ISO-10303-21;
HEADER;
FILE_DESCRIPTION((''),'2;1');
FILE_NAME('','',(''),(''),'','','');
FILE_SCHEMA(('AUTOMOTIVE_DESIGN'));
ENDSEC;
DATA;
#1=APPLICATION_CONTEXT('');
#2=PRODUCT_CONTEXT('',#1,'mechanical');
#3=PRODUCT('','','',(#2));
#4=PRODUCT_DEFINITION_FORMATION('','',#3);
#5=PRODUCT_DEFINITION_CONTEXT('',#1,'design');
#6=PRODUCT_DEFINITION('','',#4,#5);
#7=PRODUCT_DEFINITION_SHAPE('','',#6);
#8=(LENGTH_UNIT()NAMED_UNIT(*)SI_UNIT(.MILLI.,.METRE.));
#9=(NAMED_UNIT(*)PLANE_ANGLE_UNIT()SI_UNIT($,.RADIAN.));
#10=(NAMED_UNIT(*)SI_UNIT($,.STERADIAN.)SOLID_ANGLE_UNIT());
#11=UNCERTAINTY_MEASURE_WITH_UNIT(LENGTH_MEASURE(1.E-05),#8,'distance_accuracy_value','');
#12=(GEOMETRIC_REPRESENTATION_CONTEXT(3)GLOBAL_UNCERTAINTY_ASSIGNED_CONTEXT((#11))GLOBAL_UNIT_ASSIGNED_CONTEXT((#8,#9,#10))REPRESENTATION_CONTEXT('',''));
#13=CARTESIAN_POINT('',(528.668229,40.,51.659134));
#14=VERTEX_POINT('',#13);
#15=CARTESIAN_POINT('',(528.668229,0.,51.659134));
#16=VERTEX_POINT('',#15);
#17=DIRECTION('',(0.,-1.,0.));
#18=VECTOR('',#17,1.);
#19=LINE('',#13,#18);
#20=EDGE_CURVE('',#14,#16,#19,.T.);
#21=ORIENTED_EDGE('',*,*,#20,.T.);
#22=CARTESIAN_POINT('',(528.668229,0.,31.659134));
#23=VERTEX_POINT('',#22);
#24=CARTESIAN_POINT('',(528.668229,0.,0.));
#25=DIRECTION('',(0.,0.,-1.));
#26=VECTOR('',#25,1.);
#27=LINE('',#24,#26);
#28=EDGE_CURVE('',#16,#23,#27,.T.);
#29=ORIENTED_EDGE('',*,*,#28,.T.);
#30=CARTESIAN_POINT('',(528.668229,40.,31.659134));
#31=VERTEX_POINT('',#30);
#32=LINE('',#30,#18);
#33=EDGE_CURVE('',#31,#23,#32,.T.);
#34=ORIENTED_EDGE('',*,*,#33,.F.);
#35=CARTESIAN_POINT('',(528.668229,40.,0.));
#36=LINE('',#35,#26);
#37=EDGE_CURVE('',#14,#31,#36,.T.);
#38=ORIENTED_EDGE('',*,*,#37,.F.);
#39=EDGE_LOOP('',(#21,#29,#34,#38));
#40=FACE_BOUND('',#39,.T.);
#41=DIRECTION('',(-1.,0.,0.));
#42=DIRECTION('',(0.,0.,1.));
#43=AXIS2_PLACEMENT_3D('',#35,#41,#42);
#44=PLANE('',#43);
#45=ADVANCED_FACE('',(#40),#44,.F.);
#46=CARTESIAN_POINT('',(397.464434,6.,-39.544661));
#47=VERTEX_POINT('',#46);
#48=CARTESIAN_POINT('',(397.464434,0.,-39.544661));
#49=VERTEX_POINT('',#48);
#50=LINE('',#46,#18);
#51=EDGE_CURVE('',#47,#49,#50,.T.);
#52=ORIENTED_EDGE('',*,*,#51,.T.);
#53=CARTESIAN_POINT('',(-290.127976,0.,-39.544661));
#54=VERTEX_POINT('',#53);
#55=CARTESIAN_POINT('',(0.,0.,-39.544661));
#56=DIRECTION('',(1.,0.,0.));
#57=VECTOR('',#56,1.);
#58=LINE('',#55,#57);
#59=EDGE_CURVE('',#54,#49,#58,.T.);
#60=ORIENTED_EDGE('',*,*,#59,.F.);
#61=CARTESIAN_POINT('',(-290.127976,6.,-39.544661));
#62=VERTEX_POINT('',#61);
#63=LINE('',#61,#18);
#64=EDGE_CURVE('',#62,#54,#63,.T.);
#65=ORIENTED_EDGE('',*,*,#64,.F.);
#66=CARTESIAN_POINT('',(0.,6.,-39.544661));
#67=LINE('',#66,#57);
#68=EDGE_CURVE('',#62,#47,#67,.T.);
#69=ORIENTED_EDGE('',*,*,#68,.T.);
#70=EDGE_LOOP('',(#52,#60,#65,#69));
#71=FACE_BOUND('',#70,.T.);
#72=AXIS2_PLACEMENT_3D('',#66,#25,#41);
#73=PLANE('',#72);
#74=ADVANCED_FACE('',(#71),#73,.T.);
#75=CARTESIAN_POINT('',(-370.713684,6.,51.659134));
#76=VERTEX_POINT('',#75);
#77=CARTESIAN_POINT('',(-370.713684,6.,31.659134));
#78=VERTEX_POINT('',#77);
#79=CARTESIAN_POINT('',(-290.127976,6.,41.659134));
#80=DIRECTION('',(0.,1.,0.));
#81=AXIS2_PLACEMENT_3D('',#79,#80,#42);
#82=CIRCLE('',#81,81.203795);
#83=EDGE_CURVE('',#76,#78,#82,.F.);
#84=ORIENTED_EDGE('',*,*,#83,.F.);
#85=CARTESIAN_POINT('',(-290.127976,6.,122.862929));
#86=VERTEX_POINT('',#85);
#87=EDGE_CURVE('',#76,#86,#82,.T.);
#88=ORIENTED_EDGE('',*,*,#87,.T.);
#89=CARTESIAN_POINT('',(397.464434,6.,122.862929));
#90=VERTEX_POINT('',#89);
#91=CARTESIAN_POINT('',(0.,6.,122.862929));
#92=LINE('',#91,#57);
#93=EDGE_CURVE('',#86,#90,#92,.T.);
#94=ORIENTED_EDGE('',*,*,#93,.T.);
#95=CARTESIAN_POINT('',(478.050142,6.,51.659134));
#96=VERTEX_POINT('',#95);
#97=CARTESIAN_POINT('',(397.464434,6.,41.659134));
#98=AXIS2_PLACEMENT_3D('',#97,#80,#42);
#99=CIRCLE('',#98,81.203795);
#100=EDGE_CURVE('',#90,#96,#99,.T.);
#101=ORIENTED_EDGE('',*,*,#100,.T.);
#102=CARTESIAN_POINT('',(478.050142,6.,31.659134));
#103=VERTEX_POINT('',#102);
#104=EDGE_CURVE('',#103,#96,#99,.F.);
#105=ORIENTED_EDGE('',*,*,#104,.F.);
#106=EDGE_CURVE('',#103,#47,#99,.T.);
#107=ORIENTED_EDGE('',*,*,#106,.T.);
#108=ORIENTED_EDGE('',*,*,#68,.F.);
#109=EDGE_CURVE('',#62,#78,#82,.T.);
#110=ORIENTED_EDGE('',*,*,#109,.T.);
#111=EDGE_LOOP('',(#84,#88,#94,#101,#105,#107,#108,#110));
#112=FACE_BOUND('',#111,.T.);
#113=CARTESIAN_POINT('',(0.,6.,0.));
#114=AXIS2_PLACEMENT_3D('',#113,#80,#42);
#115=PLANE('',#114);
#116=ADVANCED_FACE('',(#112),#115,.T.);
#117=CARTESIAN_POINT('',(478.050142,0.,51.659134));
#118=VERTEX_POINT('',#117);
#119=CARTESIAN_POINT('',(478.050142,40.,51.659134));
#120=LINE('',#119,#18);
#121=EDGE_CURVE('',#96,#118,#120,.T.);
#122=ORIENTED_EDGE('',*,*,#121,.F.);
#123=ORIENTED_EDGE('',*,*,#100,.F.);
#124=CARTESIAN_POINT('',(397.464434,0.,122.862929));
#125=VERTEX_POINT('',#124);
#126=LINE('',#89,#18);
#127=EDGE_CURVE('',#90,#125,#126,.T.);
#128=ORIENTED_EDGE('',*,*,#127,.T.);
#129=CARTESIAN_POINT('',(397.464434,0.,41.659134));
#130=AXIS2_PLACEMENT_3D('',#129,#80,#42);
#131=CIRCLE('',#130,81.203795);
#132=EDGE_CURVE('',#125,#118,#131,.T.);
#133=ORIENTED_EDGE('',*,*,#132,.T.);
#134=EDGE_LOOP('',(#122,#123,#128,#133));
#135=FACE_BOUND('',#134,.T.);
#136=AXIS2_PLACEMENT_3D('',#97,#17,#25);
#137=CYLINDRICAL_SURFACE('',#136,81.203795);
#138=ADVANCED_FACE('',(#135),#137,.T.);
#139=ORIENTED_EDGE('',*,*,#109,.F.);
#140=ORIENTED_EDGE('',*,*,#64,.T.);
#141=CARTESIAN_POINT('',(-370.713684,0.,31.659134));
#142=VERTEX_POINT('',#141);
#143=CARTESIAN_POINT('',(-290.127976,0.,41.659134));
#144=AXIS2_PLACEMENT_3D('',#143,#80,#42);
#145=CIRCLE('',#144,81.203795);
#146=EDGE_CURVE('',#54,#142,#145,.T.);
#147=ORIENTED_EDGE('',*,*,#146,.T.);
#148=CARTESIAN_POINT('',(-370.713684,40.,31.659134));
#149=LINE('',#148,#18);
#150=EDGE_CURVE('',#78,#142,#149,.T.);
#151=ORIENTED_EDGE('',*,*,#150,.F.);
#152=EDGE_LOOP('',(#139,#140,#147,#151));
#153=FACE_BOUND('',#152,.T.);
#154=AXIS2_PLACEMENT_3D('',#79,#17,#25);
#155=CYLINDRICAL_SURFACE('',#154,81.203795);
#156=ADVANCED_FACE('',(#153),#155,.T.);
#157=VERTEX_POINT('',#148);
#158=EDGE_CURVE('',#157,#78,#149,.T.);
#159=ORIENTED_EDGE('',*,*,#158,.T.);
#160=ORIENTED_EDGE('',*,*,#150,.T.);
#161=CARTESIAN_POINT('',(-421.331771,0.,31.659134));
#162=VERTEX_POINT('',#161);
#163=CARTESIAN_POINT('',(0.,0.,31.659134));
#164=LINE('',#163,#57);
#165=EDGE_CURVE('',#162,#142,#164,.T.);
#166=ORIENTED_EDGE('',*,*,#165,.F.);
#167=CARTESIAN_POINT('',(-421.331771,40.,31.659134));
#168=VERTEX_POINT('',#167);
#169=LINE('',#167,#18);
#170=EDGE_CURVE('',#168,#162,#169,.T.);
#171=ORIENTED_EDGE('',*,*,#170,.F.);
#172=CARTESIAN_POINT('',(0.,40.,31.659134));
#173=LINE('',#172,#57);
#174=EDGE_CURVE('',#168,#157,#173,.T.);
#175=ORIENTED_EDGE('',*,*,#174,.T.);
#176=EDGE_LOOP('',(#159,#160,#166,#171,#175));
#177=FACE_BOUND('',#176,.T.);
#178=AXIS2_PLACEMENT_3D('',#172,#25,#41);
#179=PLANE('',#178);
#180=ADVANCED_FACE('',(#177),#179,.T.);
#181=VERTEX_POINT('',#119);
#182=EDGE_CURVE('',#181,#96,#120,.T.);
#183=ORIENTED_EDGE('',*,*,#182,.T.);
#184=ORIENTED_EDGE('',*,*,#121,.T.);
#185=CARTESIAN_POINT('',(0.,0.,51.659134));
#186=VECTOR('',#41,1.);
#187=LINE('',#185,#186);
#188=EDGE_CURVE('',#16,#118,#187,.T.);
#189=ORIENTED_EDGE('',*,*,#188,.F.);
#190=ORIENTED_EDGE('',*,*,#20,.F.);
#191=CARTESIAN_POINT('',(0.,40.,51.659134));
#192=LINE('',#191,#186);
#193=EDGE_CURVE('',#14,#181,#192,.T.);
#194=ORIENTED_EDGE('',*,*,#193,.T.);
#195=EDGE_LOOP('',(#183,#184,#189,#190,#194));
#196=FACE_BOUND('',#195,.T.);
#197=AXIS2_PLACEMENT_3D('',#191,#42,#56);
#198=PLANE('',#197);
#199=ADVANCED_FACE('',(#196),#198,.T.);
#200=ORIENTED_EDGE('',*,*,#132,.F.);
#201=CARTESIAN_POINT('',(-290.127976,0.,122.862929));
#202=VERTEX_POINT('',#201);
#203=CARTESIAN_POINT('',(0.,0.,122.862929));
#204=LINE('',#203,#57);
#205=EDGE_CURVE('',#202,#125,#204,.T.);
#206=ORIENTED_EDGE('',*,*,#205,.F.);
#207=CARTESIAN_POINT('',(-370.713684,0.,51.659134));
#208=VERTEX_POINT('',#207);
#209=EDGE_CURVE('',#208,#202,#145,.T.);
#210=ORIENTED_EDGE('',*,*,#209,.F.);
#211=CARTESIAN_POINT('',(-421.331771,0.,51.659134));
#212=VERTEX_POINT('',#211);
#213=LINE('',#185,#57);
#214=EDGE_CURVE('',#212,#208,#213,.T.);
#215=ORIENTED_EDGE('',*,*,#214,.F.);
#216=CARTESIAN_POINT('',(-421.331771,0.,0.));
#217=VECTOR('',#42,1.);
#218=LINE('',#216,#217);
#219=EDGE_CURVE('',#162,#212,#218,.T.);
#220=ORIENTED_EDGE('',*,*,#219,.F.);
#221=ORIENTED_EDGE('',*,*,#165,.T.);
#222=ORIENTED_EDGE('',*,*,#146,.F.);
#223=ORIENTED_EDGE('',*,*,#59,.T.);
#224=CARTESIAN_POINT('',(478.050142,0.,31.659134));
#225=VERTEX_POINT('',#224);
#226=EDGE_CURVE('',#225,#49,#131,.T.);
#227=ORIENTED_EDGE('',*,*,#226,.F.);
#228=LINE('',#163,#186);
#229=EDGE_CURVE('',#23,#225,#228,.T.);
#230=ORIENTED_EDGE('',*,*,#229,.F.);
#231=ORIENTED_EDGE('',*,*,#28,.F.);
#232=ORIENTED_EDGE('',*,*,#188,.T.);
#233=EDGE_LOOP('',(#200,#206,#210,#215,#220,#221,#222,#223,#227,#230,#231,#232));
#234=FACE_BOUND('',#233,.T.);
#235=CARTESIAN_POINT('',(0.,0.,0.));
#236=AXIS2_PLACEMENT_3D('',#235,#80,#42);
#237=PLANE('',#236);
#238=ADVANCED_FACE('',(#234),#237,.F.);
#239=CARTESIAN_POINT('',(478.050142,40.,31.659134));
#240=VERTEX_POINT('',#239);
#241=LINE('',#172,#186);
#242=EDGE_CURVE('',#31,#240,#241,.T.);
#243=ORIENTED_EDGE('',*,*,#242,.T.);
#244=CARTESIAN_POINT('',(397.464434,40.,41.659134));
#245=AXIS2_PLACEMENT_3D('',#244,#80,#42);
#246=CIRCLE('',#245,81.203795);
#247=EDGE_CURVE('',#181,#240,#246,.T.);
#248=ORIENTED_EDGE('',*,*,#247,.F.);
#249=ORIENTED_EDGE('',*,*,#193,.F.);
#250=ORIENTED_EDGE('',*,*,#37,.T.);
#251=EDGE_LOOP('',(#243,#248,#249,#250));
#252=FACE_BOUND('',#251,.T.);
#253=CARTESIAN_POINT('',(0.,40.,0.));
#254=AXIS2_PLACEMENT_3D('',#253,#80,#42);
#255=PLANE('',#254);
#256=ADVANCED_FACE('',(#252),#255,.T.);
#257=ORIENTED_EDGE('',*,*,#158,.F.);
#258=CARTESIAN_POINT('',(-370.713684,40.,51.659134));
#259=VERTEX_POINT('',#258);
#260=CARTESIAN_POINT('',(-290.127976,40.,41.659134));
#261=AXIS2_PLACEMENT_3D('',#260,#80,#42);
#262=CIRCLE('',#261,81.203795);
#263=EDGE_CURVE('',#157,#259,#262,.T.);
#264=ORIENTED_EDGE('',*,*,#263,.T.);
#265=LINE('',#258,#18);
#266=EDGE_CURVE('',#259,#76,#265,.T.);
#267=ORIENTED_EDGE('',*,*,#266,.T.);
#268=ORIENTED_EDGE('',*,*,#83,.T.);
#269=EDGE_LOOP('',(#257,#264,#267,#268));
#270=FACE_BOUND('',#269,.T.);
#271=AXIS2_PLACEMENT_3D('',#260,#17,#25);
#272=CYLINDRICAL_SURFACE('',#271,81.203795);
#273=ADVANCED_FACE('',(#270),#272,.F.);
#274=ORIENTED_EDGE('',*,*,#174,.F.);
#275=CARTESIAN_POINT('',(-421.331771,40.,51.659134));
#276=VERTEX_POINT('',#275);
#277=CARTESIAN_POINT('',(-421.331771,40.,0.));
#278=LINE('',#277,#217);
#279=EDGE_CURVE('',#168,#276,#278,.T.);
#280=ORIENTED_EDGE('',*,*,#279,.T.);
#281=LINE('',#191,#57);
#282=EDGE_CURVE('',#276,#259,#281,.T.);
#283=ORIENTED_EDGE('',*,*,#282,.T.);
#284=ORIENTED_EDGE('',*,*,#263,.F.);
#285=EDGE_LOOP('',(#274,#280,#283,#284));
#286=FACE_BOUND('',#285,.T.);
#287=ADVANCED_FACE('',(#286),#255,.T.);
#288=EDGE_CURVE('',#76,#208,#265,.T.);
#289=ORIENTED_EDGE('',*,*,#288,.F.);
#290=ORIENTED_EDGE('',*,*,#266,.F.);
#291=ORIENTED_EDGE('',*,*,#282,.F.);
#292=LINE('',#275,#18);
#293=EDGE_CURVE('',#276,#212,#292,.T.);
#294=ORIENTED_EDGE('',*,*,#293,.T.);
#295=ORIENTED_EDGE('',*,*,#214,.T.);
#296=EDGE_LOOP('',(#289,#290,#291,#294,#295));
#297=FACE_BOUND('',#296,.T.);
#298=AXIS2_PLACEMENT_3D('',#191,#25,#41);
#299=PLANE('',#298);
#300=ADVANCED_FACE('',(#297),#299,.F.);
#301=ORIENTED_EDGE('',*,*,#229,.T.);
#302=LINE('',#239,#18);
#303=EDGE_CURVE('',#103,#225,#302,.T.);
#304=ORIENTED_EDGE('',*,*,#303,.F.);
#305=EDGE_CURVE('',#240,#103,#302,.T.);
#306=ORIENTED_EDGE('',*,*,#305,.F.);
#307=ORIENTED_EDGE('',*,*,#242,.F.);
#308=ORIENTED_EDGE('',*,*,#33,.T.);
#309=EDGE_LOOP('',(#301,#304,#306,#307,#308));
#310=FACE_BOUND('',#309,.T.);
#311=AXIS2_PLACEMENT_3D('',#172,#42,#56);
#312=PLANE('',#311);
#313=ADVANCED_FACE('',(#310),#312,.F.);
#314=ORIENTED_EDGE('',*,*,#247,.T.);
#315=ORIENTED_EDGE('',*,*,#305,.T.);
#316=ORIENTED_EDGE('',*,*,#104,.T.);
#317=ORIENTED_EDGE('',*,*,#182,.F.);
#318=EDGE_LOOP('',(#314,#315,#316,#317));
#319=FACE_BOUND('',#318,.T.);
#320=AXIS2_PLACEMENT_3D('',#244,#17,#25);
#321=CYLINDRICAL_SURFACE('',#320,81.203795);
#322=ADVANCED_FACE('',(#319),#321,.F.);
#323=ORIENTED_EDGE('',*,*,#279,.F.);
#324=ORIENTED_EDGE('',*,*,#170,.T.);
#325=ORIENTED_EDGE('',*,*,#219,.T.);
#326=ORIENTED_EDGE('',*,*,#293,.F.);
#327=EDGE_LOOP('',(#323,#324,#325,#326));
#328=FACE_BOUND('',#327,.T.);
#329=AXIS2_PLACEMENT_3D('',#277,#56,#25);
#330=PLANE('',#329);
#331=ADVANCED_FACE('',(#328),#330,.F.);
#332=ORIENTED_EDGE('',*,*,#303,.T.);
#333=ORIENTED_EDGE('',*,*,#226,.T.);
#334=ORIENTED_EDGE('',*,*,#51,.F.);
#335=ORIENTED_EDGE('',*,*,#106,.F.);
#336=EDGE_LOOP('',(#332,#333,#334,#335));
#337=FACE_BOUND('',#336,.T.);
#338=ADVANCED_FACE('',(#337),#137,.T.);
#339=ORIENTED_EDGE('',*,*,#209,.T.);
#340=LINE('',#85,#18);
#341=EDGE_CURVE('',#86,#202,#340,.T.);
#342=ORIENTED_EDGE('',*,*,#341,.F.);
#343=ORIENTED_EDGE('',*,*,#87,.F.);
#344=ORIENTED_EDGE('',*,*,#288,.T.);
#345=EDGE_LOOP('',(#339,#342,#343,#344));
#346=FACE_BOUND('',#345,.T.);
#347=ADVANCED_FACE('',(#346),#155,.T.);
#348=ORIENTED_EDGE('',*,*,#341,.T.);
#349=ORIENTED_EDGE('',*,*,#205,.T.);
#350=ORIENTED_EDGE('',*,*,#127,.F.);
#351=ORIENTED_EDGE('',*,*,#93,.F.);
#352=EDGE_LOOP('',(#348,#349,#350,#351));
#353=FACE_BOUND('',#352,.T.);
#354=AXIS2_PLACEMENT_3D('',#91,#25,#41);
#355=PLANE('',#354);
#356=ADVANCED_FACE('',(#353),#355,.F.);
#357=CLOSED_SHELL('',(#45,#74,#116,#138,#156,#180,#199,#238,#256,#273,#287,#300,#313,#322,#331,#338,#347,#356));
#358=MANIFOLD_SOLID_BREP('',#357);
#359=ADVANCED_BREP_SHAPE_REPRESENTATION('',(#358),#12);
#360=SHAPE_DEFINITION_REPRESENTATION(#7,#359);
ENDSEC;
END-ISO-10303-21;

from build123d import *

# Parameters (mm, degrees)
BOSS_EXTRUDE1_DEPTH = 6
BOSS_EXTRUDE2_DEPTH = 40


with BuildPart() as part:
    # Sketch2 → Boss-Extrude1 (new body)
    with BuildSketch(Plane(origin=(0, 0, 0), x_dir=(1, 0, 0), z_dir=(0, 1, 0))):
        with BuildLine():
            Line((397.464433619, 39.544660738), (-290.127976468, 39.544660738))
            ThreePointArc((-290.127976468, 39.544660738), (-343.896082096, 19.193533205), (-370.713684353, -31.659134218))
            ThreePointArc((-370.713684353, -31.659134218), (-371.331771424, -41.659134218), (-370.713684353, -51.659134218))
            ThreePointArc((-370.713684353, -51.659134218), (-343.896082097, -102.511801641), (-290.127976468, -122.862929175))
            Line((-290.127976468, -122.862929175), (397.464433619, -122.862929175))
            ThreePointArc((397.464433619, -122.862929175), (451.232539249, -102.51180164), (478.050141505, -51.659134214))
            ThreePointArc((478.050141505, -51.659134214), (478.668228576, -41.659134214), (478.050141504, -31.659134214))
            ThreePointArc((478.050141504, -31.659134214), (451.232539246, 19.193533206), (397.464433619, 39.544660738))
        make_face()
    extrude(amount=BOSS_EXTRUDE1_DEPTH)

    # Sketch2<3> → Boss-Extrude2 (add)
    with BuildSketch(Plane(origin=(0, 0, 0), x_dir=(1, 0, 0), z_dir=(0, 1, 0))):
        with BuildLine():
            ThreePointArc((-370.713684353, -51.659134218), (-371.331771424, -41.659134218), (-370.713684353, -31.659134218))
            Line((-370.713684353, -31.659134218), (-421.331771424, -31.659134218))
            Line((-421.331771424, -31.659134218), (-421.331771424, -51.659134218))
            Line((-421.331771424, -51.659134218), (-370.713684353, -51.659134218))
        make_face()
        with BuildLine():
            Line((528.668228576, -31.659134214), (478.050141504, -31.659134214))
            ThreePointArc((478.050141504, -31.659134214), (478.668228576, -41.659134214), (478.050141505, -51.659134214))
            Line((478.050141505, -51.659134214), (528.668228576, -51.659134214))
            Line((528.668228576, -51.659134214), (528.668228576, -31.659134214))
        make_face()
    extrude(amount=BOSS_EXTRUDE2_DEPTH)


solid = part.part
